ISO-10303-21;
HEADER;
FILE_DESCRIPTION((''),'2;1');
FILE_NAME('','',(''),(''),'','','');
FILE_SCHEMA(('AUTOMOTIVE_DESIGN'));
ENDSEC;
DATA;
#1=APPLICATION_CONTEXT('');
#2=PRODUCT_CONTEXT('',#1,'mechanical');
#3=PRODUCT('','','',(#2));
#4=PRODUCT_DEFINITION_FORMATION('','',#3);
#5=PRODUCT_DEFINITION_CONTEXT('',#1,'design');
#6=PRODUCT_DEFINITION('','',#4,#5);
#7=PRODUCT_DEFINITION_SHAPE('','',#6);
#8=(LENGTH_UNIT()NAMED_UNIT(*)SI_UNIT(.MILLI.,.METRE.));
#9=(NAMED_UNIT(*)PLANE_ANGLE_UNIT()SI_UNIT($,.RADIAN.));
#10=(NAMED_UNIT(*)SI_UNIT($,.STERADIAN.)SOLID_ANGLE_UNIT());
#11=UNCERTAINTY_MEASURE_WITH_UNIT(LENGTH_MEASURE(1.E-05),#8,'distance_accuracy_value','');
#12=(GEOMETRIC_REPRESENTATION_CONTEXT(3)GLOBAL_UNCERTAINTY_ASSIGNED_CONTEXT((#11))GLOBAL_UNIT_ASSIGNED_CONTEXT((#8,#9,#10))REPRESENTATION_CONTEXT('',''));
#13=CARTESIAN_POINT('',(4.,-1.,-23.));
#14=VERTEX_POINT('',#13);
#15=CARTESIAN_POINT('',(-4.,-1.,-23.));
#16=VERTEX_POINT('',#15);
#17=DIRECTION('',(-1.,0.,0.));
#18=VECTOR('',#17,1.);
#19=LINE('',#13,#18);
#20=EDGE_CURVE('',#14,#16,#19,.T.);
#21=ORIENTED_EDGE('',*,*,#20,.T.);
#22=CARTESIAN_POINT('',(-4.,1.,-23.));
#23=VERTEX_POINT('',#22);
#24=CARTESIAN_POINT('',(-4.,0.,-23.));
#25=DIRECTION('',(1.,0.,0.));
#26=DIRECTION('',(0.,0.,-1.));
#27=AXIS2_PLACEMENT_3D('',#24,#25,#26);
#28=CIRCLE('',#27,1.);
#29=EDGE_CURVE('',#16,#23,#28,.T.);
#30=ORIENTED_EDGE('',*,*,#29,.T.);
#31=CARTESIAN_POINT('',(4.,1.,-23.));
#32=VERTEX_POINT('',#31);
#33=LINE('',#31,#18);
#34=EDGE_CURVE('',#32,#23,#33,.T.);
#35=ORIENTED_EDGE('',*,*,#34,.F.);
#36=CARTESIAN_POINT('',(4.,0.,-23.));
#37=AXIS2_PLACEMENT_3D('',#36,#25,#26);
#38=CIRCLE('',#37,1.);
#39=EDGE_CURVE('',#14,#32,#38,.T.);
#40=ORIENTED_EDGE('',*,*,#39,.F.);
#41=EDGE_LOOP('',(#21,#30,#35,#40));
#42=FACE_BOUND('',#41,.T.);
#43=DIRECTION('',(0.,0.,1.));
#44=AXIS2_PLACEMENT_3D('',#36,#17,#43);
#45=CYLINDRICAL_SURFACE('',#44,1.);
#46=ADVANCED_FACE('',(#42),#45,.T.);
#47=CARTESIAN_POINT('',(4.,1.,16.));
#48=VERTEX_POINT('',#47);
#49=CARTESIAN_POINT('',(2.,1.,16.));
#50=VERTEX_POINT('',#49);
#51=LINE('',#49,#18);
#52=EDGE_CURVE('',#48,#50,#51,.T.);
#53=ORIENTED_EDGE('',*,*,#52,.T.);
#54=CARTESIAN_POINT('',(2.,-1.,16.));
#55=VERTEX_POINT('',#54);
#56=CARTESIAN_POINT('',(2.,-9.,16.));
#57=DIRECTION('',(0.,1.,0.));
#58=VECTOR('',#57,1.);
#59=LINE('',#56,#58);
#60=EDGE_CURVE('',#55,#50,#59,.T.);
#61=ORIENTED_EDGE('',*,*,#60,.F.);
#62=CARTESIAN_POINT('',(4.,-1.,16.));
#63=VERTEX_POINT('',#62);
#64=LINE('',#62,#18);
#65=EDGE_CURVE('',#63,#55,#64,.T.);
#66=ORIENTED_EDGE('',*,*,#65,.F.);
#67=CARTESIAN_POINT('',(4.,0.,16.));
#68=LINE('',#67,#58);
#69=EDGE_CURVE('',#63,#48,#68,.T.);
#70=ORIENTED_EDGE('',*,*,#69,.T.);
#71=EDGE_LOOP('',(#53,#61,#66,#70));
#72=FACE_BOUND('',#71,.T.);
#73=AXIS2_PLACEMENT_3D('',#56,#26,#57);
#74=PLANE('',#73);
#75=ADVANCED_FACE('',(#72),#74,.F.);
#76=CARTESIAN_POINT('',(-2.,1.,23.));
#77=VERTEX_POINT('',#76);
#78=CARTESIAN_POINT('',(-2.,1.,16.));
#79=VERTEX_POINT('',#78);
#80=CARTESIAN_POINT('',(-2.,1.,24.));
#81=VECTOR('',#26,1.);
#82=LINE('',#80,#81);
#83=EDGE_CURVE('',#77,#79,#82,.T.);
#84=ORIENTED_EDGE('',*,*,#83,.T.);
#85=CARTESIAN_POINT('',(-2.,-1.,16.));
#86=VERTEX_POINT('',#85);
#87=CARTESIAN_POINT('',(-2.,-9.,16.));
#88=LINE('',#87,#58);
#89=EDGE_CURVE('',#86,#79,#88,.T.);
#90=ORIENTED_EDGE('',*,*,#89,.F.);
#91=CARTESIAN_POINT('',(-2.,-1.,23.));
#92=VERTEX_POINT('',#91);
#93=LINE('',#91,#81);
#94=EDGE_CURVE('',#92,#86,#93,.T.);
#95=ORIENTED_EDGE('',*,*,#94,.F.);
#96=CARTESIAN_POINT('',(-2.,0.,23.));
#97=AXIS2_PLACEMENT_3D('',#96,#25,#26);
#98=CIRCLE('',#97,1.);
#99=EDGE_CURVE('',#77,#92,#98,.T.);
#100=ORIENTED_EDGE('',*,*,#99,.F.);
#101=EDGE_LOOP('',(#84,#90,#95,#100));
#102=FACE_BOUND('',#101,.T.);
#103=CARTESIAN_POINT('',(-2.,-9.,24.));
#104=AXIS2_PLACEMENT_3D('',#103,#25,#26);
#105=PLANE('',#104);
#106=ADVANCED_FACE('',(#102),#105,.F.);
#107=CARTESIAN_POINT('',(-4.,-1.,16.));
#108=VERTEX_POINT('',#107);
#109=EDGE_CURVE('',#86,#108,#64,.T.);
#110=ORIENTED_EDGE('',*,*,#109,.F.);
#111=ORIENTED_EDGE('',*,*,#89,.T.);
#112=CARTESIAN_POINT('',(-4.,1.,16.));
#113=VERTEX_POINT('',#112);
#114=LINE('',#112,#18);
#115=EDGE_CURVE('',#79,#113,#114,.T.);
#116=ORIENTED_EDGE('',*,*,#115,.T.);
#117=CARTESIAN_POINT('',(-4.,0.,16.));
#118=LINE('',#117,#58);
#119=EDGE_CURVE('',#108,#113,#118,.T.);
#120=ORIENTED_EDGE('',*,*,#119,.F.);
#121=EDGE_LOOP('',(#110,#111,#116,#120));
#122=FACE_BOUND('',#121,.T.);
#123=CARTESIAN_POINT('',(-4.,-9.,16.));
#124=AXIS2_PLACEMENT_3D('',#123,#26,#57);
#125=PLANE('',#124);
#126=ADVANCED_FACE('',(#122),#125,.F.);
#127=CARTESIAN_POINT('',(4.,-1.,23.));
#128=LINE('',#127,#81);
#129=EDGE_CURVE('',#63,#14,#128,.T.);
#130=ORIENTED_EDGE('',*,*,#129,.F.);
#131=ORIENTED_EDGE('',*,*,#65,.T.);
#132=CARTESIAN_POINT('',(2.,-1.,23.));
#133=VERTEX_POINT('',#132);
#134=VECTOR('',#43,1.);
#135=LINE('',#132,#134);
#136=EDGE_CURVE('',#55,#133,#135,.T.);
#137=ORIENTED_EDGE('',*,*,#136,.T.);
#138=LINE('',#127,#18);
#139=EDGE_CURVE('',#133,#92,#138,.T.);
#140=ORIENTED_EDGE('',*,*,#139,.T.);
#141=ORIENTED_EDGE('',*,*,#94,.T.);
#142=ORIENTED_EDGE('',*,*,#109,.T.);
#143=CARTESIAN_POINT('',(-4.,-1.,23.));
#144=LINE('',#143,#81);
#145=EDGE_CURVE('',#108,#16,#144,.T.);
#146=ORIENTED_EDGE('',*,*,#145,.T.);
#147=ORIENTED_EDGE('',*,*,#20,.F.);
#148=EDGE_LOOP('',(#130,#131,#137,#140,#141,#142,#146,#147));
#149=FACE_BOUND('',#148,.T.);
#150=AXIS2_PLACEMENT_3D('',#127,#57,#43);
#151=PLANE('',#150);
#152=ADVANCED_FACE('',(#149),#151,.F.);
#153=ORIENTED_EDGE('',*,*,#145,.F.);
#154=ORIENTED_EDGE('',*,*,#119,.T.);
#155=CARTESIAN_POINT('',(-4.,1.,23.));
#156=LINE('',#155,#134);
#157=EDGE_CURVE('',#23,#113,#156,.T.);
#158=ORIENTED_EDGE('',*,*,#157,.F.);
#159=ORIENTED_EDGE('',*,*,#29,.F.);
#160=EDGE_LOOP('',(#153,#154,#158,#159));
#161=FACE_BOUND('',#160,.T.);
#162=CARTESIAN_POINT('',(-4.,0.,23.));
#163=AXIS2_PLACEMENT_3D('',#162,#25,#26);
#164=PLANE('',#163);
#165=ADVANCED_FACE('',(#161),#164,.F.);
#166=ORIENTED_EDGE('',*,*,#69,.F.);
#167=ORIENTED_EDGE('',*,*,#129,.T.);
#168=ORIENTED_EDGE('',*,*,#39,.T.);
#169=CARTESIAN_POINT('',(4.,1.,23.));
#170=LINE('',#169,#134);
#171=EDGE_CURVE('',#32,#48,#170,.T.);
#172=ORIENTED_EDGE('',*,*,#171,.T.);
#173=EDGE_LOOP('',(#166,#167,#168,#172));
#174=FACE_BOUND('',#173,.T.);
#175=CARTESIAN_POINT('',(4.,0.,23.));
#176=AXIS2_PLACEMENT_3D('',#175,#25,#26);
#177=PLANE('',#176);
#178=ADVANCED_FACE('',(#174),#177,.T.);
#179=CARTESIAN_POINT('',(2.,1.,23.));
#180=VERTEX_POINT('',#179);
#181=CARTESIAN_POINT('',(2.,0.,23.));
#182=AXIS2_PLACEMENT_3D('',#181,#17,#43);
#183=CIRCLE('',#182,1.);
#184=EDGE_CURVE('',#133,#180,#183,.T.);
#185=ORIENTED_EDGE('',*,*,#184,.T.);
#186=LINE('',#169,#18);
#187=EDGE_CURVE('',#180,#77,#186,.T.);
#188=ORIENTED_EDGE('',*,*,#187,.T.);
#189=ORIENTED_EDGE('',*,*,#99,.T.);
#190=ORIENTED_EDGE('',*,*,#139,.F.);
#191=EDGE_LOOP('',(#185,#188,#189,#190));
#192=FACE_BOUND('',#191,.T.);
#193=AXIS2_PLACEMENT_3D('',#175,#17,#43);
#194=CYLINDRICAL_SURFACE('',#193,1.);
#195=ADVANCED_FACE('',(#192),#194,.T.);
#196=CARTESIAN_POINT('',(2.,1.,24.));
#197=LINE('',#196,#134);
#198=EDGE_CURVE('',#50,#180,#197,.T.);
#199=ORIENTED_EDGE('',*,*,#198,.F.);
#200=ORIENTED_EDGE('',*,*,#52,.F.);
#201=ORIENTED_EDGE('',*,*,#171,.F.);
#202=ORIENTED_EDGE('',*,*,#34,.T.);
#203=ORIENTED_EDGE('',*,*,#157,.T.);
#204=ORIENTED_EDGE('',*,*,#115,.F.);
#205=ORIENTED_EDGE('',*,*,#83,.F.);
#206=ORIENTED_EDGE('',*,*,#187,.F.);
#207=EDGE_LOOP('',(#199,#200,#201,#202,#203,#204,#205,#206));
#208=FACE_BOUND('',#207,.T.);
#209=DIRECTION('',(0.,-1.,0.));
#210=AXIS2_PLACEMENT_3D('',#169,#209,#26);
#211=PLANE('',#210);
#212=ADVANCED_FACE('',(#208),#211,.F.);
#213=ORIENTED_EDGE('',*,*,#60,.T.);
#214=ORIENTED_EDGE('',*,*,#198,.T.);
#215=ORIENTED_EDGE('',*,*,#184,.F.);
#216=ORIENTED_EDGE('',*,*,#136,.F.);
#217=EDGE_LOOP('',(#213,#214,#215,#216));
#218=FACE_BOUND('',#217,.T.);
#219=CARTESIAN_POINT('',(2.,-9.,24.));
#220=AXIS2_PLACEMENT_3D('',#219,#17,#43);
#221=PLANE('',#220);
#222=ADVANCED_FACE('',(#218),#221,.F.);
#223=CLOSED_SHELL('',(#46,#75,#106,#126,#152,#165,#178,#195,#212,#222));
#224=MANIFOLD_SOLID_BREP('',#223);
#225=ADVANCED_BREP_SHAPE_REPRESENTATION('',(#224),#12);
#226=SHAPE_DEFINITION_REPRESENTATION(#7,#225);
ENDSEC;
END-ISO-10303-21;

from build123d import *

# Parameters (mm, degrees)
EXTRUDE_1_DEPTH     = 4
SKETCH_5_W          = 2
SKETCH_5_H          = 8
CUT_EXTRUDE_2_DEPTH = 10


with BuildPart() as part:
    # 草图1 → 凸台-拉伸1 (new body, symmetric)
    with BuildSketch(Plane(origin=(0, 0, 0), x_dir=(0, 0, -1), z_dir=(1, 0, 0))):
        with BuildLine():
            Line((-23, 1), (23, 1))
            ThreePointArc((23, 1), (24, 0), (23, -1))
            Line((23, -1), (-23, -1))
            ThreePointArc((-23, -1), (-24, 0), (-23, 1))
        make_face()
    extrude(amount=EXTRUDE_1_DEPTH, both=True)

    # 草图5 → 切除-拉伸2 (cut)
    with BuildSketch(Plane(origin=(0, 1, 0), x_dir=(1, 0, 0), z_dir=(0, 1, 0))):
        with Locations((-3, -20)):
            Rectangle(SKETCH_5_W, SKETCH_5_H)
        with Locations((3, -20)):
            Rectangle(SKETCH_5_W, SKETCH_5_H)
    extrude(amount=-CUT_EXTRUDE_2_DEPTH, mode=Mode.SUBTRACT)


solid = part.part
